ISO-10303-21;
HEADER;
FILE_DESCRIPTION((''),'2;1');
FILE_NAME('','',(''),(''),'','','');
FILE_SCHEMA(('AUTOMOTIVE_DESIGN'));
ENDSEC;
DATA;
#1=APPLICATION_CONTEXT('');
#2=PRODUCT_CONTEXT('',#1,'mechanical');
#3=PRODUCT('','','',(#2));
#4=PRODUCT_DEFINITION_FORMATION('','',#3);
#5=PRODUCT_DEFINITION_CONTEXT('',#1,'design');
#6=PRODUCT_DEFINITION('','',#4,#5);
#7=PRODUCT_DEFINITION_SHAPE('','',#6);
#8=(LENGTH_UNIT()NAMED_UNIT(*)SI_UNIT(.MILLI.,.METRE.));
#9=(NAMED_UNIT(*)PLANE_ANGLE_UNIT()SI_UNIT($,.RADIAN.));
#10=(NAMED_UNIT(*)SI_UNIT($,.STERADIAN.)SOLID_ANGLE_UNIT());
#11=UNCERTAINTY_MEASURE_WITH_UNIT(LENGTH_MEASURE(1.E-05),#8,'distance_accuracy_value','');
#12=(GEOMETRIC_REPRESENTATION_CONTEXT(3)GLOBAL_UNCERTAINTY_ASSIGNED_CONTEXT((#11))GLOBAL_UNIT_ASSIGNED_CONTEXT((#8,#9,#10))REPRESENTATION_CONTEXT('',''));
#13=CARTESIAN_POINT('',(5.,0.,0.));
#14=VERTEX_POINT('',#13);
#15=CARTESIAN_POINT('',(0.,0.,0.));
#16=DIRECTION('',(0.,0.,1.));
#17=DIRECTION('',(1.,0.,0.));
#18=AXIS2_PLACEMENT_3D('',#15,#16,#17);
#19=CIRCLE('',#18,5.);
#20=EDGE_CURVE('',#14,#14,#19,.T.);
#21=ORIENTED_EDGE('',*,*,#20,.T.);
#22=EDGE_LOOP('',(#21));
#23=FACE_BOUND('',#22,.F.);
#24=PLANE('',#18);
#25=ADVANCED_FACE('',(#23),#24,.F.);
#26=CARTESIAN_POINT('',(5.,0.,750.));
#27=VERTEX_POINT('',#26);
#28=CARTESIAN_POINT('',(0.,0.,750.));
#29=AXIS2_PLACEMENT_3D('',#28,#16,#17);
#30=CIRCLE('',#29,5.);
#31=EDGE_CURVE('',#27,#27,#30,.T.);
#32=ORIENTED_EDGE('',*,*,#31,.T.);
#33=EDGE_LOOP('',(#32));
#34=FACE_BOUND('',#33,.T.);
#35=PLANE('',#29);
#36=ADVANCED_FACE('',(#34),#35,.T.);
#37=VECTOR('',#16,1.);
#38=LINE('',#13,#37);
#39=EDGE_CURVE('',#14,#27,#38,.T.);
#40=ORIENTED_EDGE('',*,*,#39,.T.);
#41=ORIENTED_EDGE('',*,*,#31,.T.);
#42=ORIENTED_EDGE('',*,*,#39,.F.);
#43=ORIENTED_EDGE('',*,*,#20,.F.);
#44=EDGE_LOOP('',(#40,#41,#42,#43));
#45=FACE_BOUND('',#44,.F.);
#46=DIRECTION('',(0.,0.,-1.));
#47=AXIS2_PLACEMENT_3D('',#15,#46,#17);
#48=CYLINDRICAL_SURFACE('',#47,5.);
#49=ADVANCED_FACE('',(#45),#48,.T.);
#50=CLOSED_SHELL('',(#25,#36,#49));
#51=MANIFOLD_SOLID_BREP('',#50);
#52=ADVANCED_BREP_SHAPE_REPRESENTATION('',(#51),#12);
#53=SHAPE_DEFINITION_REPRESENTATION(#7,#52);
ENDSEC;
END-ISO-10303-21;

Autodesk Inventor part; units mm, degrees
ref_plane "YZ Plane" through (0, 0, 0) normal (1, 0, 0) x (0, 1, 0)
ref_plane "XZ Plane" through (0, 0, 0) normal (0, 1, 0) x (-1, 0, 0)
ref_plane "XY Plane" through (0, 0, 0) normal (0, 0, 1) x (1, 0, 0)
sketch "Sketch1" plane through (0, 0, 0) normal (0, 0, 1) x (1, 0, 0)
  circle A0 centre (0, 0) radius 5
  dimension "d0" = 10
extrude "Extrusion1" add sketch "Sketch1" along normal blind 750
properties part number "Quick Shaft 12mm x 500mm" material "Steel, Carbon"
